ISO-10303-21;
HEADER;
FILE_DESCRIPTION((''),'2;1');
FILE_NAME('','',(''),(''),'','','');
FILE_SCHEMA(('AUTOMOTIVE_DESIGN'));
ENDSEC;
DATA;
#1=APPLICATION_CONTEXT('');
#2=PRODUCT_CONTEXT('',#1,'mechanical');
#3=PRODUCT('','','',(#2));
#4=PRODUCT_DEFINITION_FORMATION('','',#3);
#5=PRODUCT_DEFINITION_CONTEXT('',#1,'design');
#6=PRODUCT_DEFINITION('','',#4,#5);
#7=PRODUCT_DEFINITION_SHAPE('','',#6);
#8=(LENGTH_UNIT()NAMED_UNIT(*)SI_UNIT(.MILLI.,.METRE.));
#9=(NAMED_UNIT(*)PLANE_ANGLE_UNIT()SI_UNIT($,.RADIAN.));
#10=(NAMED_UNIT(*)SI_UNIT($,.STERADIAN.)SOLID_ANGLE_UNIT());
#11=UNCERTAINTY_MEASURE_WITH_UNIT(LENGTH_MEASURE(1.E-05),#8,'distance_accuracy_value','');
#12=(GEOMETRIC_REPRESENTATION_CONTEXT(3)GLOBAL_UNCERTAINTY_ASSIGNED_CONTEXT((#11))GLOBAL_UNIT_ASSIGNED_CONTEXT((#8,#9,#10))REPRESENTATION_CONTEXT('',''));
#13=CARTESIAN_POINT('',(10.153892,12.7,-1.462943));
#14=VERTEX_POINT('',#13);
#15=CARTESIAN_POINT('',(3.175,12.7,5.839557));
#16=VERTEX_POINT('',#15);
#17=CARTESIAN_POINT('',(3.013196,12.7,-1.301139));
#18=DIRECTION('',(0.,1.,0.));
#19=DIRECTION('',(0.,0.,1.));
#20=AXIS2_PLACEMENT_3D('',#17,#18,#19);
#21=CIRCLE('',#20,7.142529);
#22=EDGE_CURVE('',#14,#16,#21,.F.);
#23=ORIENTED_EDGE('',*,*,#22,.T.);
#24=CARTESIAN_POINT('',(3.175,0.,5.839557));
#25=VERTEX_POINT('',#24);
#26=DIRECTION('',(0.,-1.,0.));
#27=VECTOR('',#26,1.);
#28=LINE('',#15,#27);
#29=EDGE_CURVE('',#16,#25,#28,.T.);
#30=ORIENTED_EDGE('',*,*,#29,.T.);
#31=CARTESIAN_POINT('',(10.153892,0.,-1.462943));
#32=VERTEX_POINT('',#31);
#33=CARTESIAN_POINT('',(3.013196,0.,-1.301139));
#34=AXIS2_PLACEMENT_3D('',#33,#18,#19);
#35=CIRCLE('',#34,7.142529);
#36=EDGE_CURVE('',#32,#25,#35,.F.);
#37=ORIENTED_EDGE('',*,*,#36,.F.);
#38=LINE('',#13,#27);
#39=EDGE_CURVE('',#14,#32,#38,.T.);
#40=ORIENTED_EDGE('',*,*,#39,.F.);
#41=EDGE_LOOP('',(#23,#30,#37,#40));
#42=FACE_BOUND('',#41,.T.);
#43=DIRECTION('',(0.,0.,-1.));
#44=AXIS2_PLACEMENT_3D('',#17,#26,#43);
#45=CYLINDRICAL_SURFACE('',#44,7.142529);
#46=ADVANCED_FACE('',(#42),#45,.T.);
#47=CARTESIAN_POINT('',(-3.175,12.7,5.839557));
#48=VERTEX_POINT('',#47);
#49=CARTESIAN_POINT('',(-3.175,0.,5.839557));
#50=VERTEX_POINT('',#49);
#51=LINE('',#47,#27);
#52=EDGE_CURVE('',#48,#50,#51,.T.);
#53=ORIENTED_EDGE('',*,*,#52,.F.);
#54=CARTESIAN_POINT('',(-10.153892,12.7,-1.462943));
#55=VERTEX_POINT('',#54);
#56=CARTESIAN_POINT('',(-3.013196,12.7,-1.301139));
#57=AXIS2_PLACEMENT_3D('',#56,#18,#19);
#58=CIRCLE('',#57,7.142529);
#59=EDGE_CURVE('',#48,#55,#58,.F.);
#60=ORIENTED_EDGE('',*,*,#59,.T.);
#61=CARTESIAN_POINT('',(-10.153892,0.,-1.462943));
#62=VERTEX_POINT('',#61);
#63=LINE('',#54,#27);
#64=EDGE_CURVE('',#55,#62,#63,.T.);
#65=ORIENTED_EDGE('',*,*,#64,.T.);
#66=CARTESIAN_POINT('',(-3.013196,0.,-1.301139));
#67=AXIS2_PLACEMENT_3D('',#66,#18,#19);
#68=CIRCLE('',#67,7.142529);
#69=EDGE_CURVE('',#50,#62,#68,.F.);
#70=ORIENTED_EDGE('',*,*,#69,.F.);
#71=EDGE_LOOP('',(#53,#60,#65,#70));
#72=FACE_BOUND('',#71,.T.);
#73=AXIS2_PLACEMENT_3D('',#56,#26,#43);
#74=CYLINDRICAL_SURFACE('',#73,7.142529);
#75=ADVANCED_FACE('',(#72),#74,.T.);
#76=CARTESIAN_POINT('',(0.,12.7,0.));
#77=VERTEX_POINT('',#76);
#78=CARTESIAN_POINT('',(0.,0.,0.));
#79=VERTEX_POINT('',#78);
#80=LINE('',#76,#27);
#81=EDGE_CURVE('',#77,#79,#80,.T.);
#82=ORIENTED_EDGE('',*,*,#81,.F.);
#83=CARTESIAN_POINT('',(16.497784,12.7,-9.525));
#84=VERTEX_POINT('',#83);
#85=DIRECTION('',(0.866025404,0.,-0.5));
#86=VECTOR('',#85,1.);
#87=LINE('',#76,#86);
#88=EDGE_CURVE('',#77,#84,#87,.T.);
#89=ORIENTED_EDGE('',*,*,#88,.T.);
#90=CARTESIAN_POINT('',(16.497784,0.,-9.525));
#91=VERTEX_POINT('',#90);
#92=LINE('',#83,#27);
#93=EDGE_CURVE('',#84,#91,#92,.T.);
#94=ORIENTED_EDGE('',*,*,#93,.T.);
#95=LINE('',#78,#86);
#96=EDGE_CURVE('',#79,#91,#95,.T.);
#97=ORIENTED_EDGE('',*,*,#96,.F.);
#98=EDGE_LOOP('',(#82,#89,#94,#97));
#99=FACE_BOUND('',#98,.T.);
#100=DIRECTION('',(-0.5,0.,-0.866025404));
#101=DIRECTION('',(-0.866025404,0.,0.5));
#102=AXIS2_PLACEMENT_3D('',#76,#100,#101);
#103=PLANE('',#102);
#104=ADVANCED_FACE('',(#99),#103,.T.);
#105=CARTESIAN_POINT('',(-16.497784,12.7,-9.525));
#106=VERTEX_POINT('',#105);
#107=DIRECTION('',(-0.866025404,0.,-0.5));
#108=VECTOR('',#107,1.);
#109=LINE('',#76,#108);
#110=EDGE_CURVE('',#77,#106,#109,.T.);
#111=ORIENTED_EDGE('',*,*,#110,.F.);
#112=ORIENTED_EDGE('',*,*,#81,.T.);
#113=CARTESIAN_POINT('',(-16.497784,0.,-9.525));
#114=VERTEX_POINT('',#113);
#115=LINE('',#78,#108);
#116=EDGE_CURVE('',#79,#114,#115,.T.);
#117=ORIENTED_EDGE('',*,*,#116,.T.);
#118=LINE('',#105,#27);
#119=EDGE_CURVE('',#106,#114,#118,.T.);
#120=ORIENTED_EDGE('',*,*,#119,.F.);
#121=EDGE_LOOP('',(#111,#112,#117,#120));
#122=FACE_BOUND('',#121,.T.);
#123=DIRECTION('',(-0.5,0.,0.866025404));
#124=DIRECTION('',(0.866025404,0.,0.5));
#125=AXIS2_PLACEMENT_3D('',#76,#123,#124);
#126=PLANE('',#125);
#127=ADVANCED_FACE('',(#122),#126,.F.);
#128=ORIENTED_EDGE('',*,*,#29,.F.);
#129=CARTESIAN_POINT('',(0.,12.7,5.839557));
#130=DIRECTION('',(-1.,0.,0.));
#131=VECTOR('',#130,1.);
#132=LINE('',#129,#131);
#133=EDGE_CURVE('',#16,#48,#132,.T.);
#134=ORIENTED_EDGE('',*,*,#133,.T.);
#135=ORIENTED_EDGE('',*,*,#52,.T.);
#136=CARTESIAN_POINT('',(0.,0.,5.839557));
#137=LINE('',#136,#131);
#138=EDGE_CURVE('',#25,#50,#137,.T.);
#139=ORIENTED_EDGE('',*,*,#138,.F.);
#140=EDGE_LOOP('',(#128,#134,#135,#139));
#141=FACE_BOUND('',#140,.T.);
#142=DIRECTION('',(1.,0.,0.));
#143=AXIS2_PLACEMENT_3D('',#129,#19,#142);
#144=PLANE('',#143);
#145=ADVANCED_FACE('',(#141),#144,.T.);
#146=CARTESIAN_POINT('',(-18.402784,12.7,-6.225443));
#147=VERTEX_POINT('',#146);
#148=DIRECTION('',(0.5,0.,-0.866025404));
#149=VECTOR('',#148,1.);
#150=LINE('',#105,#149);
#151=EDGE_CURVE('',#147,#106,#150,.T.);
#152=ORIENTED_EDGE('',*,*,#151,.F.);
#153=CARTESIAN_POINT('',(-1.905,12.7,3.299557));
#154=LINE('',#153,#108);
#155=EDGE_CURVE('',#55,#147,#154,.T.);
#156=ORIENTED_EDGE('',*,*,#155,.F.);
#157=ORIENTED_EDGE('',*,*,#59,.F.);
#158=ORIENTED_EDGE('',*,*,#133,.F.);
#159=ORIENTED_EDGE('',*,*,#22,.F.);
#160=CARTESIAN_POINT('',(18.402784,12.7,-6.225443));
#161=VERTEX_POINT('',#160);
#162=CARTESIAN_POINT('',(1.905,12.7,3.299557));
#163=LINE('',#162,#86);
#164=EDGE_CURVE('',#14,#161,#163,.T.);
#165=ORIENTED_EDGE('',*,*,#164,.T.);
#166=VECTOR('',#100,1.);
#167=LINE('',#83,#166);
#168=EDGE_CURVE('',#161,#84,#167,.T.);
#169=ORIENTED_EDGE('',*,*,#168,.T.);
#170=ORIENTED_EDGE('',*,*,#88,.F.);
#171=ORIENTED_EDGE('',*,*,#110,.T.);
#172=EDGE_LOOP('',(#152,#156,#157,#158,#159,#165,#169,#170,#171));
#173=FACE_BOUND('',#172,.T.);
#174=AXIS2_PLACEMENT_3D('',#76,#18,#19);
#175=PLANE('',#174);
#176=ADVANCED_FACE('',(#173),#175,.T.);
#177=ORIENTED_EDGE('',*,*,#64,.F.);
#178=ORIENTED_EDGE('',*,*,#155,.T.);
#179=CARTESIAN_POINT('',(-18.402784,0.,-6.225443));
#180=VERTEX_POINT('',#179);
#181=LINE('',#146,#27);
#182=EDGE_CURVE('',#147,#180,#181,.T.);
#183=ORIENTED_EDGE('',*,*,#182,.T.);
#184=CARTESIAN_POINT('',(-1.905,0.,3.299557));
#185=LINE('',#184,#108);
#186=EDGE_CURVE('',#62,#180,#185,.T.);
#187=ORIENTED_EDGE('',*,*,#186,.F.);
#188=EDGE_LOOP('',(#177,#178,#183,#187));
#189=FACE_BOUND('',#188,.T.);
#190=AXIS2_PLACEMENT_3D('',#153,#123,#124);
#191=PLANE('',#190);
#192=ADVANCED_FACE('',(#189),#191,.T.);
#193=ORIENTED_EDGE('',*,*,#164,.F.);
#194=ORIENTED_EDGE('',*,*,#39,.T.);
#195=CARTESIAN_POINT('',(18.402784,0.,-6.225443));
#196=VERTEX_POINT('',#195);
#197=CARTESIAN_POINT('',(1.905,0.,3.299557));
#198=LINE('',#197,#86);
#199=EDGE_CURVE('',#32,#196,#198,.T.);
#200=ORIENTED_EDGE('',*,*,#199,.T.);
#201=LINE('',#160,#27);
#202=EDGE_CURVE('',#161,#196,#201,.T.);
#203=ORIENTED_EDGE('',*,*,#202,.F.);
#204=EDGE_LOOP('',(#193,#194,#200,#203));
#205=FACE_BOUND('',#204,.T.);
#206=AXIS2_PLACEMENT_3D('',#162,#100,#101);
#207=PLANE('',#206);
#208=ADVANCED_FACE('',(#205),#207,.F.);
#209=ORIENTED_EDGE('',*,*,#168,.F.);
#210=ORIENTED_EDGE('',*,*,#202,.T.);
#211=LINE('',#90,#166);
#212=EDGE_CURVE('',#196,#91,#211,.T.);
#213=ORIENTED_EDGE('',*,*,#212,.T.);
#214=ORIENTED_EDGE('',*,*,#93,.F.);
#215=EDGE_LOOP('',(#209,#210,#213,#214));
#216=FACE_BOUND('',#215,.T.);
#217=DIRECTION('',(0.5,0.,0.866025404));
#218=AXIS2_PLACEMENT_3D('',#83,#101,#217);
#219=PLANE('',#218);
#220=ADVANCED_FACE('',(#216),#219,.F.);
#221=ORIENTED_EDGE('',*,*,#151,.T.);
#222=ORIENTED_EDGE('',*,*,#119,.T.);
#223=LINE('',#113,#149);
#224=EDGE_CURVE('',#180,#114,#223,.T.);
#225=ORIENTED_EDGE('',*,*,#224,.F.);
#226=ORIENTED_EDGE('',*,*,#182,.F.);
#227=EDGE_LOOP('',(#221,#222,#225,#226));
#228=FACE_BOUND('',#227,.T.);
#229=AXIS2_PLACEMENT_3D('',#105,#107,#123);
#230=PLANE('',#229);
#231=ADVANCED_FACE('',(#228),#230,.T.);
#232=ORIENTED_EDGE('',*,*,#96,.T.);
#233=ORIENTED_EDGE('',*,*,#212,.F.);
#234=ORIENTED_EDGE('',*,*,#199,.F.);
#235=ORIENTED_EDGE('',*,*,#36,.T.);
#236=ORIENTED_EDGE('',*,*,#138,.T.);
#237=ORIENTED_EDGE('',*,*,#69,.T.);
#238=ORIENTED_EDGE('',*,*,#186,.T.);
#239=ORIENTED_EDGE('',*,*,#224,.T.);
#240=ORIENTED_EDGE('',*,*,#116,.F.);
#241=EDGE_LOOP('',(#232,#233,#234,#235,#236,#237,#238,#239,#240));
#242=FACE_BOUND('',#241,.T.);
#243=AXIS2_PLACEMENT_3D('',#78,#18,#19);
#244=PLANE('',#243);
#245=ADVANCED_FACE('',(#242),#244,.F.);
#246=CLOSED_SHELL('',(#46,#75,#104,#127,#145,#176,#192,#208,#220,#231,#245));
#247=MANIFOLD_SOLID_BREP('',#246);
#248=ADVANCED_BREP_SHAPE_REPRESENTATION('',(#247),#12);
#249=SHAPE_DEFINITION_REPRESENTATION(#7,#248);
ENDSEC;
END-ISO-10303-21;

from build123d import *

# Parameters (mm, degrees)
BOSS_EXTRUDE1_DEPTH = 12.7


with BuildPart() as part:
    # Sketch1 → Boss-Extrude1 (new body)
    with BuildSketch(Plane(origin=(0, 0, 0), x_dir=(1, 0, 0), z_dir=(0, 1, 0))):
        with BuildLine():
            Line((0, 0), (16.497783942, 9.525))
            Line((16.497783942, 9.525), (18.402783942, 6.225443212))
            Line((18.402783942, 6.225443212), (10.153891971, 1.462943212))
            ThreePointArc((10.153891971, 1.462943212), (8.176843255, -3.633682641), (3.175, -5.839556788))
            Line((3.175, -5.839556788), (-3.175, -5.839556788))
            ThreePointArc((-3.175, -5.839556788), (-8.176843255, -3.633682641), (-10.153891971, 1.462943212))
            Line((-10.153891971, 1.462943212), (-18.402783942, 6.225443212))
            Line((-18.402783942, 6.225443212), (-16.497783942, 9.525))
            Line((-16.497783942, 9.525), (0, 0))
        make_face()
    extrude(amount=BOSS_EXTRUDE1_DEPTH)


solid = part.part
